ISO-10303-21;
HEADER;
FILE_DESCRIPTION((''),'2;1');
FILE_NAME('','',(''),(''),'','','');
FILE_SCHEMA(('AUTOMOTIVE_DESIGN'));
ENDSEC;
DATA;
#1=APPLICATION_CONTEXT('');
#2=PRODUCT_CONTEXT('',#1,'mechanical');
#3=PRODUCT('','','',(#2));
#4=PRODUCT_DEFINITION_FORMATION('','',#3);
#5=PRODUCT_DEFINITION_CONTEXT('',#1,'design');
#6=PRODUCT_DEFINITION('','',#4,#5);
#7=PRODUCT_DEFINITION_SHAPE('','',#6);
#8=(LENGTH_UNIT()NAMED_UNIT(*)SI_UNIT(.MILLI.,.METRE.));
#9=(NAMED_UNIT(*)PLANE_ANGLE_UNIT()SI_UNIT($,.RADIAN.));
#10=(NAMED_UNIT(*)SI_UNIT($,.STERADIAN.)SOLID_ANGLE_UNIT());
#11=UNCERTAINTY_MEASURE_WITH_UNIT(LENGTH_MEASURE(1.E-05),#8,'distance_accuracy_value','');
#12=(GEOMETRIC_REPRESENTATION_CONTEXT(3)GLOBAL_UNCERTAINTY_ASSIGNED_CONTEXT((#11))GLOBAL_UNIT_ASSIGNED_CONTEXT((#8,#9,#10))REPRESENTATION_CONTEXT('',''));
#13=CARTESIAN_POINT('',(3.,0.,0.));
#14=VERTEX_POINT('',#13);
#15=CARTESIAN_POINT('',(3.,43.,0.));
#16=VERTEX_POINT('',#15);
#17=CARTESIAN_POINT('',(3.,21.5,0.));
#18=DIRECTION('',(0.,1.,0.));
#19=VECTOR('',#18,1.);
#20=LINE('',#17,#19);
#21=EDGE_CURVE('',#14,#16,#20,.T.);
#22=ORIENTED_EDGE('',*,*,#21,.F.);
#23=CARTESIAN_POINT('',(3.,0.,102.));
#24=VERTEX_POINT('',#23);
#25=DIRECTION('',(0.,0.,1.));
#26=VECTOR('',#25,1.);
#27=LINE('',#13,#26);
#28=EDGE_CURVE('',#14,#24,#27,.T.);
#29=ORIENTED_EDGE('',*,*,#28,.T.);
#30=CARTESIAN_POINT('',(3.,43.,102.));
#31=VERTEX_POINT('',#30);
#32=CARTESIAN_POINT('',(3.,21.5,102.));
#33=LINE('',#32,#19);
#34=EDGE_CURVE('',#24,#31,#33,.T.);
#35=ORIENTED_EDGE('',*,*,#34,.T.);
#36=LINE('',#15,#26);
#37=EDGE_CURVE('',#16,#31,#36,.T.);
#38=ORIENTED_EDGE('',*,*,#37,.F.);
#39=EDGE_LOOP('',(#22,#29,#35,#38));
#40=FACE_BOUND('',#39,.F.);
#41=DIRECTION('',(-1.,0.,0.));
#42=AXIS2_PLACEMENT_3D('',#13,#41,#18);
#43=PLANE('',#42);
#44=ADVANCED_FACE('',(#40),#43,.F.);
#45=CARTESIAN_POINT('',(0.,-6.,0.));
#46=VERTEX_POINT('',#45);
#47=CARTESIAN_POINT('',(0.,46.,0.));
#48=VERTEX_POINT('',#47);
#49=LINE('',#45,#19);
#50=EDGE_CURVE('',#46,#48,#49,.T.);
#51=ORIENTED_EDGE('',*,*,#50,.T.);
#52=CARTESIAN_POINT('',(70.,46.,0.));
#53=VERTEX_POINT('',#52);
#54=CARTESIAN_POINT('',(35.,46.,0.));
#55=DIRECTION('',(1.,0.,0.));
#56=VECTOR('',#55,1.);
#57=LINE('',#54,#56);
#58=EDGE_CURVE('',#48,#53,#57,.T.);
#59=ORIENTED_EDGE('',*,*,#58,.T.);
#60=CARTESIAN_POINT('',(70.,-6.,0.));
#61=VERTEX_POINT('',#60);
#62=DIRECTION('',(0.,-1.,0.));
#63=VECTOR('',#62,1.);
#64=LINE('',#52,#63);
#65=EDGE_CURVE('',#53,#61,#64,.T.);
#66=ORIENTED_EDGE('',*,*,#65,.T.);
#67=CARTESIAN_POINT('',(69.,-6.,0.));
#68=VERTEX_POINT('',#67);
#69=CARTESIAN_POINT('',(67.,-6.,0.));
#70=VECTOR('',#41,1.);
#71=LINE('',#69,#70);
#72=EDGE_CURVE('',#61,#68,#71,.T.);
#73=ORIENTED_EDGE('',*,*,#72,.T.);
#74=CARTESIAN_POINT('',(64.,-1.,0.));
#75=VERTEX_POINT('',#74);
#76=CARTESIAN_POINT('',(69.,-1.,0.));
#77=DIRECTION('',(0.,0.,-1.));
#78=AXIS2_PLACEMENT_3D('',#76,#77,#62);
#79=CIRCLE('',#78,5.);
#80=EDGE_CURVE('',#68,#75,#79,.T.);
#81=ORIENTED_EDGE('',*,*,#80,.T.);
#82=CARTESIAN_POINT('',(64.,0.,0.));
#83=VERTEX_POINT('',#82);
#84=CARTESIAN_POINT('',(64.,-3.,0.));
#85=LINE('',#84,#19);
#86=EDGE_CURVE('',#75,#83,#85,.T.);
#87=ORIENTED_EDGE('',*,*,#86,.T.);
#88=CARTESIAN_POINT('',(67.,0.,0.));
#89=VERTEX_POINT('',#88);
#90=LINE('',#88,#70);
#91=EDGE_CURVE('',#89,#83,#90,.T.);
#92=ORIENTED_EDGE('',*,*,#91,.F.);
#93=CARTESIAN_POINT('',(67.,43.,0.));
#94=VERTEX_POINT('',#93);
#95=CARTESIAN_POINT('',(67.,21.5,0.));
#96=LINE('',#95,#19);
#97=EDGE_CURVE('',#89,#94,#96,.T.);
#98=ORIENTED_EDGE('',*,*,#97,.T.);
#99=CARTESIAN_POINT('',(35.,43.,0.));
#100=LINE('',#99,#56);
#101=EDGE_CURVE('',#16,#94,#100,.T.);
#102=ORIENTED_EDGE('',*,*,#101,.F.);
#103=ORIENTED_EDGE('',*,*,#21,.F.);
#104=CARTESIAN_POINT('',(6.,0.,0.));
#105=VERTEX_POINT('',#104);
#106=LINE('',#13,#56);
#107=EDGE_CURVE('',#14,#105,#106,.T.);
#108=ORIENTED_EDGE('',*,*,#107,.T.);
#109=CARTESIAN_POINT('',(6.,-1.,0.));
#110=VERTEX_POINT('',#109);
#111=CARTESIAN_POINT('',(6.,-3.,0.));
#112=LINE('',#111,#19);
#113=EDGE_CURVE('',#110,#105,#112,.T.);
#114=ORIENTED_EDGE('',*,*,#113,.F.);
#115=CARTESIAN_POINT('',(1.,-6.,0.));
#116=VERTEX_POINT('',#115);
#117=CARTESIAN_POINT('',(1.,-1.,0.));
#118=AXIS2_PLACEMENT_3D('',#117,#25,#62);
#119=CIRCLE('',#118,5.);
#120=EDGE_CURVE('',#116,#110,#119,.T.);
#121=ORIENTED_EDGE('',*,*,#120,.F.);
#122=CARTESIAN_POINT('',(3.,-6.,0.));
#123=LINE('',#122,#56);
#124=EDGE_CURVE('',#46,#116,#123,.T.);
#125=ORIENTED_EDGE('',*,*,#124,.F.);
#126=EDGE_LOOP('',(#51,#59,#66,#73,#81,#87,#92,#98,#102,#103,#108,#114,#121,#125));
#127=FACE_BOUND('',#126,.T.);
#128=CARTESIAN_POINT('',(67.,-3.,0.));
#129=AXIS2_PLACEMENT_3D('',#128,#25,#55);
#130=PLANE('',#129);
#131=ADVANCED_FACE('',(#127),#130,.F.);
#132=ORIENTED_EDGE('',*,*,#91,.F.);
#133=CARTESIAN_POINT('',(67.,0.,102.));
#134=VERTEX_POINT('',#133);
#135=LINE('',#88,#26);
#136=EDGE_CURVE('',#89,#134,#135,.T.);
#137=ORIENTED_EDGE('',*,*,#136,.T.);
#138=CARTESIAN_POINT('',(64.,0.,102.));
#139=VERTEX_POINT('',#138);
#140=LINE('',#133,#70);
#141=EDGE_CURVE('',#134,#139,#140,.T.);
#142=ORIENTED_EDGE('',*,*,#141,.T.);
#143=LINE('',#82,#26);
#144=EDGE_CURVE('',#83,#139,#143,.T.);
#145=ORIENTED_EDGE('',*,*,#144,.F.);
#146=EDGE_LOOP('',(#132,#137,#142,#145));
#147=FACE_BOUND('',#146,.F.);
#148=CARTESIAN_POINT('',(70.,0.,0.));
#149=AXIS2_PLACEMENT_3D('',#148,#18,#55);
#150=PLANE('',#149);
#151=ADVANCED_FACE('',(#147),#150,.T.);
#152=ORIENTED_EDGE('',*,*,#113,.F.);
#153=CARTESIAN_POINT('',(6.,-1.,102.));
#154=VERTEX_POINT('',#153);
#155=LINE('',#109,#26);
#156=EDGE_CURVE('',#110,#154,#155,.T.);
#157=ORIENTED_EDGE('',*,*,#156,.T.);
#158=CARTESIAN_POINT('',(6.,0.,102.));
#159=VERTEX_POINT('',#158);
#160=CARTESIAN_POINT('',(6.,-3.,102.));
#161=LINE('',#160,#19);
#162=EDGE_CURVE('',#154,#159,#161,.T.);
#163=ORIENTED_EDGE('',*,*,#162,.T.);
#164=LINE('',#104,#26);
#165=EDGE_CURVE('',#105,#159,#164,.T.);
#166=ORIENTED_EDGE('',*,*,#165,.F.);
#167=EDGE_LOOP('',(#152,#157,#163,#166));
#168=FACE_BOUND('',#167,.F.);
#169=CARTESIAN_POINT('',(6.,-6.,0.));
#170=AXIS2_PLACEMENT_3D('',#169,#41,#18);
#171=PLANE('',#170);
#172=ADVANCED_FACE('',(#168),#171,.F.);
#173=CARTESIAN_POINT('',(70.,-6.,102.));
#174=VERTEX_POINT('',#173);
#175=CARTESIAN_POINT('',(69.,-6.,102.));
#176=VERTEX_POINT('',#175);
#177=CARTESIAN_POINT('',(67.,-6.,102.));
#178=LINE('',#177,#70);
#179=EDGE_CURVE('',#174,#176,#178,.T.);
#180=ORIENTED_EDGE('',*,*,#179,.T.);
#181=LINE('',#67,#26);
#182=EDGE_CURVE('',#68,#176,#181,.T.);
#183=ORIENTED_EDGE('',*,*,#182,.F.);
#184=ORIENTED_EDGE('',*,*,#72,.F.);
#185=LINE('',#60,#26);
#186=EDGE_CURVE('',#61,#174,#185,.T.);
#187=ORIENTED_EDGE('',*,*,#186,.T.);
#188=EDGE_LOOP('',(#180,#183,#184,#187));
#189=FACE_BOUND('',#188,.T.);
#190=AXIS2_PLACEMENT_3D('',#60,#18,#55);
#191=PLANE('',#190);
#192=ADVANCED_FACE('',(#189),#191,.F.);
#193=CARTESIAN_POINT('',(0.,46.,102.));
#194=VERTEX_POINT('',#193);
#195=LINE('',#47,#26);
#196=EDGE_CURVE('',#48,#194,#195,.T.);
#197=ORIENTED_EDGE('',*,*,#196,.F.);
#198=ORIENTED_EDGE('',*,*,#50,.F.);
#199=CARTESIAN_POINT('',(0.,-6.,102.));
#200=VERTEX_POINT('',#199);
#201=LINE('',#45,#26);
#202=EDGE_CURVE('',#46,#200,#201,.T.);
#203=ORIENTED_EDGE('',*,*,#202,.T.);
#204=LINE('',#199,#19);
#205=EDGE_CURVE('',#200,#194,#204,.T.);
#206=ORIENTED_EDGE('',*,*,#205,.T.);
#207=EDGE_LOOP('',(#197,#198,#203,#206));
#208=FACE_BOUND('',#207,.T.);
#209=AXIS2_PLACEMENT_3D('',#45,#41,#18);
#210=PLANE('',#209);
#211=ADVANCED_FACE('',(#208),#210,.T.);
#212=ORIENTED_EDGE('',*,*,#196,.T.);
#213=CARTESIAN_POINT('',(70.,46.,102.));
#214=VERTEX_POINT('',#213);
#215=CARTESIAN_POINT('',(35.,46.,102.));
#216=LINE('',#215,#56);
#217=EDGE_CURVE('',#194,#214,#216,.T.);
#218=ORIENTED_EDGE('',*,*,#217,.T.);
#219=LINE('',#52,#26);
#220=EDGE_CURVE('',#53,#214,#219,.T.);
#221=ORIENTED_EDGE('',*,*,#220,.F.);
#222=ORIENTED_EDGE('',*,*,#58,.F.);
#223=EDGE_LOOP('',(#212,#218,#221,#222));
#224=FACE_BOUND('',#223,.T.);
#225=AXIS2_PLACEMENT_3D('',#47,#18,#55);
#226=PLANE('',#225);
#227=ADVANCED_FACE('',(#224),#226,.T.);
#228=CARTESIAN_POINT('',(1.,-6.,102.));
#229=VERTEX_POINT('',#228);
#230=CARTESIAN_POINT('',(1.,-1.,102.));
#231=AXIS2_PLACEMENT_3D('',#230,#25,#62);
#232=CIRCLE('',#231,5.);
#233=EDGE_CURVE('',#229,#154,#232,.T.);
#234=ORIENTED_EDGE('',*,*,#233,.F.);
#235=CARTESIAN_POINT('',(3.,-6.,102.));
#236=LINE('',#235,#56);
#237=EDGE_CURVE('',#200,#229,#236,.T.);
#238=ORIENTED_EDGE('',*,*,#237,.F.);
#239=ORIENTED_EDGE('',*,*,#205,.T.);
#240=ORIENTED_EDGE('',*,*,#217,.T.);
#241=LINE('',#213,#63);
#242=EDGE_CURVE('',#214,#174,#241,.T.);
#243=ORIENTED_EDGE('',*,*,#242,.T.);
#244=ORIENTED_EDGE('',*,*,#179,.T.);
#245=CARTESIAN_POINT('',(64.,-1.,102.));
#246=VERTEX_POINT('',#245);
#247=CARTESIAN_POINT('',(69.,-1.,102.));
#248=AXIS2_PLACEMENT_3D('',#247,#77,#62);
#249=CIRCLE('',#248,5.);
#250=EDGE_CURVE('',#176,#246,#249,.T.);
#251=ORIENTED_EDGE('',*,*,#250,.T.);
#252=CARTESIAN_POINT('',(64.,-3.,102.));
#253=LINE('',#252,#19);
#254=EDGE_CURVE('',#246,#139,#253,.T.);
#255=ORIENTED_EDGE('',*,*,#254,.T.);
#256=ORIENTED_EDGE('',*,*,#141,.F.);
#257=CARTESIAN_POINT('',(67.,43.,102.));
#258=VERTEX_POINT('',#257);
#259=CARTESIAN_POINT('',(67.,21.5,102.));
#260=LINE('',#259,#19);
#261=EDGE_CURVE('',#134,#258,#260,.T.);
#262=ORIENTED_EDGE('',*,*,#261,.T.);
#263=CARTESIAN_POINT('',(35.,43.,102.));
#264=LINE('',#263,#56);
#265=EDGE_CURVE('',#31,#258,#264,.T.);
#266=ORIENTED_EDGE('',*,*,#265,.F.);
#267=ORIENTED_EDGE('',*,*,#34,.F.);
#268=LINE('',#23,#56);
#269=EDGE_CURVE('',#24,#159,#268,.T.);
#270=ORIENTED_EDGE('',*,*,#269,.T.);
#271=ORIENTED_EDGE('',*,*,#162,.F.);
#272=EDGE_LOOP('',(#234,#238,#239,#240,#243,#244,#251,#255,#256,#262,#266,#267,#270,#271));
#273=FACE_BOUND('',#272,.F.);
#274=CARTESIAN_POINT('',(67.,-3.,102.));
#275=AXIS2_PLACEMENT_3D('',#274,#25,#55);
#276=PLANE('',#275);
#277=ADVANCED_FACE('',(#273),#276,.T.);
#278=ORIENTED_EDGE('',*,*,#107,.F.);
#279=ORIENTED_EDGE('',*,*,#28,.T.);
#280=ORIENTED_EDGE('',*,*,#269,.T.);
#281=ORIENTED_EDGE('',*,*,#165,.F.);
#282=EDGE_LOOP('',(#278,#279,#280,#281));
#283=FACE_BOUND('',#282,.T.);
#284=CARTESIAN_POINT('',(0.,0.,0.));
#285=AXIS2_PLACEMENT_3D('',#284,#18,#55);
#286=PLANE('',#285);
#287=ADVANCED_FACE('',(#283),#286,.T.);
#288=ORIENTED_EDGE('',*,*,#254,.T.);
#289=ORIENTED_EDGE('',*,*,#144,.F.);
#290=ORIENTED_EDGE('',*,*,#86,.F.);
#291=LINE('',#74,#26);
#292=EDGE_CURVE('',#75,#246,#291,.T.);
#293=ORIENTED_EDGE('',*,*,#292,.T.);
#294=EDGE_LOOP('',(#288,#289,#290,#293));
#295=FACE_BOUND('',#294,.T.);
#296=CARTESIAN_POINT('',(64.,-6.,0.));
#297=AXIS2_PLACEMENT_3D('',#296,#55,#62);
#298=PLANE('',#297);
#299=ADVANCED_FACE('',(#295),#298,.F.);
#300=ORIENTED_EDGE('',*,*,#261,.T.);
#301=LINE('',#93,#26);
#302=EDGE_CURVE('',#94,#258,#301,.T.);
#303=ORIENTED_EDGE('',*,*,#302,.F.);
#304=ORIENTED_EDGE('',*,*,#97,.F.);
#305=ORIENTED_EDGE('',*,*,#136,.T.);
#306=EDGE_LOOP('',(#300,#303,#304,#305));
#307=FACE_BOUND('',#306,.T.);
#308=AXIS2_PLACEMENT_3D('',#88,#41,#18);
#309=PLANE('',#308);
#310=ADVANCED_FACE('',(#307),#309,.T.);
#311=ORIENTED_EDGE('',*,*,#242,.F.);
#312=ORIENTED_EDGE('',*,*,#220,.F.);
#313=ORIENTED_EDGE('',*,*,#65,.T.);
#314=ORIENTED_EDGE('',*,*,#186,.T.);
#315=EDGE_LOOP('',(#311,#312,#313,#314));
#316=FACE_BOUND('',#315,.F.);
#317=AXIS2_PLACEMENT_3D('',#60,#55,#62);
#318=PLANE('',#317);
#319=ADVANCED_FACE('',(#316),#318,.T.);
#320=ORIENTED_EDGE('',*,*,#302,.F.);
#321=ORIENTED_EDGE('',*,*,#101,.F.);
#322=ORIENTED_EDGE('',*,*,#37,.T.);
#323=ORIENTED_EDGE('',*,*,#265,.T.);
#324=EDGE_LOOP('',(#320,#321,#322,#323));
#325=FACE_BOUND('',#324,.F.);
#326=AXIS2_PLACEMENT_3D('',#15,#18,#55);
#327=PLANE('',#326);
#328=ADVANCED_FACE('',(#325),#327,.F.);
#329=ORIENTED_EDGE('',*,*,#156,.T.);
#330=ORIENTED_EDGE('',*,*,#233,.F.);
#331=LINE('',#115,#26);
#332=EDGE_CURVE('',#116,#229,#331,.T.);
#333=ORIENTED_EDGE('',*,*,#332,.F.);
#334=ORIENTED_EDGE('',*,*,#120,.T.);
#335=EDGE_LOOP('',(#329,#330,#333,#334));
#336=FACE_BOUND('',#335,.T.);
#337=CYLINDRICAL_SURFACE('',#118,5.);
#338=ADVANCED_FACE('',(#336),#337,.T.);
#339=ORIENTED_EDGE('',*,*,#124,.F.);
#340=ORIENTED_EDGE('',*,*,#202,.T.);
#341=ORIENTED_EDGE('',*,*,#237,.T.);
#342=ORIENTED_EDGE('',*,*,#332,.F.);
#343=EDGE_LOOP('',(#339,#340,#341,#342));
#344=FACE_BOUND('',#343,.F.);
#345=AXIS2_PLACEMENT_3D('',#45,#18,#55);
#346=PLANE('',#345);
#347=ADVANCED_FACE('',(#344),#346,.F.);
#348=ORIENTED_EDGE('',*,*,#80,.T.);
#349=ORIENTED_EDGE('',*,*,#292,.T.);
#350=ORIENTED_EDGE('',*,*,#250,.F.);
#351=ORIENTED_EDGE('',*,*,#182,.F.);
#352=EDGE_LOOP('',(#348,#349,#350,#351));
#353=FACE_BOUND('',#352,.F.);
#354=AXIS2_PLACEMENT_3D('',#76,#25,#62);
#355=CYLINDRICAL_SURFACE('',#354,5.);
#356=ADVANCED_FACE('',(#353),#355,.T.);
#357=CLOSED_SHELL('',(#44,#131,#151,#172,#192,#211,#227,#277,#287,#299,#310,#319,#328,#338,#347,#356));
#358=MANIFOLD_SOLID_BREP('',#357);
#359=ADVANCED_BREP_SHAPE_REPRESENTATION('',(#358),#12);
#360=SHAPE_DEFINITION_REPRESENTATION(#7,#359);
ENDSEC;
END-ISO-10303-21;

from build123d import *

# Parameters (mm, degrees)
BOX002_W     = 6
BOX002_H     = 6
BOX002_DEPTH = 102
FILLET_R     = 5
BOX001_W     = 64
BOX001_H     = 43
BOX001_DEPTH = 102
BOX_W        = 70
BOX_H        = 46
BOX_DEPTH    = 102


with BuildPart() as fillet_body:
    # Box002 → Box002 (new body)
    with BuildSketch(Plane(origin=(0, -6, 0), x_dir=(1, 0, 0), z_dir=(0, 0, 1))):
        with Locations((3, 3)):
            Rectangle(BOX002_W, BOX002_H)
    extrude(amount=BOX002_DEPTH)

    # Fillet
    fillet_edges = [fillet_body.edges().sort_by_distance(p)[0] for p in [
        (6, -6, 51),
    ]]
    fillet(fillet_edges, radius=FILLET_R)


with BuildPart() as part_mirroring:
    # Part__Mirroring: instance of Fillet body
    add(fillet_body.part.mirror(Plane(origin=(0, 0, 0), x_dir=(0, -1, 0), z_dir=(1, 0, 0))))


with BuildPart() as part_mirroring_1:
    # Part__Mirroring placement: moved
    add(part_mirroring.part.moved(Location((70, 0, 0))))


with BuildPart() as box001:
    # Box001 → Box001 (new body)
    with BuildSketch(Plane(origin=(3, 0, 0), x_dir=(1, 0, 0), z_dir=(0, 0, 1))):
        with Locations((32, 21.5)):
            Rectangle(BOX001_W, BOX001_H)
    extrude(amount=BOX001_DEPTH)


with BuildPart() as fusion:
    # Box → Box (new body)
    with BuildSketch(Plane.XY):
        with Locations((35, 23)):
            Rectangle(BOX_W, BOX_H)
    extrude(amount=BOX_DEPTH)

    # Cut: cut Box001
    add(box001.part, mode=Mode.SUBTRACT)

    # Fusion: union Fillet body, Part__Mirroring
    add(fillet_body.part)
    add(part_mirroring_1.part)


solid = fusion.part
